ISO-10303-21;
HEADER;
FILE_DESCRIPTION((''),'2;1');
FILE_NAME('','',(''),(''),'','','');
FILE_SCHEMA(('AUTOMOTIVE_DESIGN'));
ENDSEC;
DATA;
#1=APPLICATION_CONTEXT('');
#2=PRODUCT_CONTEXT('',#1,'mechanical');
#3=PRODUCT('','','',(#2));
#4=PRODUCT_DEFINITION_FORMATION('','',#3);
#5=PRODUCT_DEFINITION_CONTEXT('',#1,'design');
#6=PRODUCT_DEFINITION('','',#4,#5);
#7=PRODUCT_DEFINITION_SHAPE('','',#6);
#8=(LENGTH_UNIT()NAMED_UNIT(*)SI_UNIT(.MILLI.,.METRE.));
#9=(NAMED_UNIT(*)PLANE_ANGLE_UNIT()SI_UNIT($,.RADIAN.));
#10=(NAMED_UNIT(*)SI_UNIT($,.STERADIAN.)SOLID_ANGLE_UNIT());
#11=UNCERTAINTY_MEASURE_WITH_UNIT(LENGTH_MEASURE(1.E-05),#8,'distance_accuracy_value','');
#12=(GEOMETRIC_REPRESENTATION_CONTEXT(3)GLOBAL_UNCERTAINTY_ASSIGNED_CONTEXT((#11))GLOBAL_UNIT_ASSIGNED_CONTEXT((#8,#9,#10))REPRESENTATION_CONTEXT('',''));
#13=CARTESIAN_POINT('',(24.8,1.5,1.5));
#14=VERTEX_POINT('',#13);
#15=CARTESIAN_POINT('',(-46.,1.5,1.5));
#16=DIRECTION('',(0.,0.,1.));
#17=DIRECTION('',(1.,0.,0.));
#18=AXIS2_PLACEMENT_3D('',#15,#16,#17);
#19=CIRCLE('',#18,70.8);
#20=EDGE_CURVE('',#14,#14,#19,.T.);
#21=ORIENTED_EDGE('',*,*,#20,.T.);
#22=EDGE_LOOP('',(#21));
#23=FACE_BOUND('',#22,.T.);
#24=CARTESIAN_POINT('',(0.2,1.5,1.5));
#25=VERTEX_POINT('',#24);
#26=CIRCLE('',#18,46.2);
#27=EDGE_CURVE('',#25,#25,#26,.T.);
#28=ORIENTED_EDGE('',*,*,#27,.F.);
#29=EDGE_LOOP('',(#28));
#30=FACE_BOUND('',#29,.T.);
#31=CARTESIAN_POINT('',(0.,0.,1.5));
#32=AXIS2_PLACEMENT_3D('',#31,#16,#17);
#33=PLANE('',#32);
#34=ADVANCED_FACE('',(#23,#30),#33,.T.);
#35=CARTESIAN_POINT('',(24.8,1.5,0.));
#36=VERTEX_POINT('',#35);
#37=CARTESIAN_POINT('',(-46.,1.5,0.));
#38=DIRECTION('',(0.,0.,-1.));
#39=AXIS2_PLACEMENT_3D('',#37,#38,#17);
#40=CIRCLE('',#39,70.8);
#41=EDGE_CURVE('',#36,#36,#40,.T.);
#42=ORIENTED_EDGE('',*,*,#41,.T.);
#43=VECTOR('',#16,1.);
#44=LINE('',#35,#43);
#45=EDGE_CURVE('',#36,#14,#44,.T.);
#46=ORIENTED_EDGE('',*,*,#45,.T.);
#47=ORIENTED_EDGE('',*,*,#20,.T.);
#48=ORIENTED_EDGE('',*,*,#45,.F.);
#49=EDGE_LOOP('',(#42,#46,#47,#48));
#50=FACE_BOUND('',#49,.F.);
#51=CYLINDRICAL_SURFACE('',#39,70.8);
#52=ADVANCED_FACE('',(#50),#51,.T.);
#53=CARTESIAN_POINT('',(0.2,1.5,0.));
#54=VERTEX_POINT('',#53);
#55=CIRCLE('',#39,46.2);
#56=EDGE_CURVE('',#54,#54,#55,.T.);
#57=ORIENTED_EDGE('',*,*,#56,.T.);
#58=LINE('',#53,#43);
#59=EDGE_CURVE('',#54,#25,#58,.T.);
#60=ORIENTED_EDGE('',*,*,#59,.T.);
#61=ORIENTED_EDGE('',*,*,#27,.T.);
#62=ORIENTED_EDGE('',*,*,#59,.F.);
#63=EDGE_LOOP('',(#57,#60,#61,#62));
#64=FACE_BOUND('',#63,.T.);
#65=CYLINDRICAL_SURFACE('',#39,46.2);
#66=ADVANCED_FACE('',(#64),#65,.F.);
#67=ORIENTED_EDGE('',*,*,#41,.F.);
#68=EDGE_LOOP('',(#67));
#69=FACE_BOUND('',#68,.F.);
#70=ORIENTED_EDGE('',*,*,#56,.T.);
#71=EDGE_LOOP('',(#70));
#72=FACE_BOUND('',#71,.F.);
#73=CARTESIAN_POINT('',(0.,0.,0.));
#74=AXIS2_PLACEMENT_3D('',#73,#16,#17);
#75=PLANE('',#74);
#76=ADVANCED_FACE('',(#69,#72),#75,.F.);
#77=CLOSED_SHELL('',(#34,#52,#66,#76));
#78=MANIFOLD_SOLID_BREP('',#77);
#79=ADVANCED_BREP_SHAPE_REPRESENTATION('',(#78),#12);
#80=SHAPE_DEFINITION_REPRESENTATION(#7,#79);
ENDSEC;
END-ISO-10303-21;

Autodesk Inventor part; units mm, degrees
ref_plane "YZ Plane" through (0, 0, 0) normal (1, 0, 0) x (0, 1, 0)
ref_plane "XZ Plane" through (0, 0, 0) normal (0, 1, 0) x (-1, 0, 0)
ref_plane "XY Plane" through (0, 0, 0) normal (0, 0, 1) x (1, 0, 0)
sketch "Эскиз3" plane through (0, 0, 0) normal (0, 0, 1) x (1, 0, 0)
  circle A0 centre (-46, 1.5) radius 4 projected
  circle A1 centre (-46, 1.5) radius 38 projected
  line L0 (0, 0) -> (25, 0) projected
  line L1 (25, 0) -> (25, 3) projected
  line L2 (0, 3) -> (25, 3) projected
  line L3 (0, 0) -> (0, 3) projected
  circle A2 centre (-46, 1.5) radius 70.8
  circle A3 centre (-46, 1.5) radius 46.2
extrude "Выдавливание2" add sketch "Эскиз3" along normal blind 1.5 contours A3 L2 A2 L0 | L0 A2 L2 A3
properties part number "PrimaryTab"
